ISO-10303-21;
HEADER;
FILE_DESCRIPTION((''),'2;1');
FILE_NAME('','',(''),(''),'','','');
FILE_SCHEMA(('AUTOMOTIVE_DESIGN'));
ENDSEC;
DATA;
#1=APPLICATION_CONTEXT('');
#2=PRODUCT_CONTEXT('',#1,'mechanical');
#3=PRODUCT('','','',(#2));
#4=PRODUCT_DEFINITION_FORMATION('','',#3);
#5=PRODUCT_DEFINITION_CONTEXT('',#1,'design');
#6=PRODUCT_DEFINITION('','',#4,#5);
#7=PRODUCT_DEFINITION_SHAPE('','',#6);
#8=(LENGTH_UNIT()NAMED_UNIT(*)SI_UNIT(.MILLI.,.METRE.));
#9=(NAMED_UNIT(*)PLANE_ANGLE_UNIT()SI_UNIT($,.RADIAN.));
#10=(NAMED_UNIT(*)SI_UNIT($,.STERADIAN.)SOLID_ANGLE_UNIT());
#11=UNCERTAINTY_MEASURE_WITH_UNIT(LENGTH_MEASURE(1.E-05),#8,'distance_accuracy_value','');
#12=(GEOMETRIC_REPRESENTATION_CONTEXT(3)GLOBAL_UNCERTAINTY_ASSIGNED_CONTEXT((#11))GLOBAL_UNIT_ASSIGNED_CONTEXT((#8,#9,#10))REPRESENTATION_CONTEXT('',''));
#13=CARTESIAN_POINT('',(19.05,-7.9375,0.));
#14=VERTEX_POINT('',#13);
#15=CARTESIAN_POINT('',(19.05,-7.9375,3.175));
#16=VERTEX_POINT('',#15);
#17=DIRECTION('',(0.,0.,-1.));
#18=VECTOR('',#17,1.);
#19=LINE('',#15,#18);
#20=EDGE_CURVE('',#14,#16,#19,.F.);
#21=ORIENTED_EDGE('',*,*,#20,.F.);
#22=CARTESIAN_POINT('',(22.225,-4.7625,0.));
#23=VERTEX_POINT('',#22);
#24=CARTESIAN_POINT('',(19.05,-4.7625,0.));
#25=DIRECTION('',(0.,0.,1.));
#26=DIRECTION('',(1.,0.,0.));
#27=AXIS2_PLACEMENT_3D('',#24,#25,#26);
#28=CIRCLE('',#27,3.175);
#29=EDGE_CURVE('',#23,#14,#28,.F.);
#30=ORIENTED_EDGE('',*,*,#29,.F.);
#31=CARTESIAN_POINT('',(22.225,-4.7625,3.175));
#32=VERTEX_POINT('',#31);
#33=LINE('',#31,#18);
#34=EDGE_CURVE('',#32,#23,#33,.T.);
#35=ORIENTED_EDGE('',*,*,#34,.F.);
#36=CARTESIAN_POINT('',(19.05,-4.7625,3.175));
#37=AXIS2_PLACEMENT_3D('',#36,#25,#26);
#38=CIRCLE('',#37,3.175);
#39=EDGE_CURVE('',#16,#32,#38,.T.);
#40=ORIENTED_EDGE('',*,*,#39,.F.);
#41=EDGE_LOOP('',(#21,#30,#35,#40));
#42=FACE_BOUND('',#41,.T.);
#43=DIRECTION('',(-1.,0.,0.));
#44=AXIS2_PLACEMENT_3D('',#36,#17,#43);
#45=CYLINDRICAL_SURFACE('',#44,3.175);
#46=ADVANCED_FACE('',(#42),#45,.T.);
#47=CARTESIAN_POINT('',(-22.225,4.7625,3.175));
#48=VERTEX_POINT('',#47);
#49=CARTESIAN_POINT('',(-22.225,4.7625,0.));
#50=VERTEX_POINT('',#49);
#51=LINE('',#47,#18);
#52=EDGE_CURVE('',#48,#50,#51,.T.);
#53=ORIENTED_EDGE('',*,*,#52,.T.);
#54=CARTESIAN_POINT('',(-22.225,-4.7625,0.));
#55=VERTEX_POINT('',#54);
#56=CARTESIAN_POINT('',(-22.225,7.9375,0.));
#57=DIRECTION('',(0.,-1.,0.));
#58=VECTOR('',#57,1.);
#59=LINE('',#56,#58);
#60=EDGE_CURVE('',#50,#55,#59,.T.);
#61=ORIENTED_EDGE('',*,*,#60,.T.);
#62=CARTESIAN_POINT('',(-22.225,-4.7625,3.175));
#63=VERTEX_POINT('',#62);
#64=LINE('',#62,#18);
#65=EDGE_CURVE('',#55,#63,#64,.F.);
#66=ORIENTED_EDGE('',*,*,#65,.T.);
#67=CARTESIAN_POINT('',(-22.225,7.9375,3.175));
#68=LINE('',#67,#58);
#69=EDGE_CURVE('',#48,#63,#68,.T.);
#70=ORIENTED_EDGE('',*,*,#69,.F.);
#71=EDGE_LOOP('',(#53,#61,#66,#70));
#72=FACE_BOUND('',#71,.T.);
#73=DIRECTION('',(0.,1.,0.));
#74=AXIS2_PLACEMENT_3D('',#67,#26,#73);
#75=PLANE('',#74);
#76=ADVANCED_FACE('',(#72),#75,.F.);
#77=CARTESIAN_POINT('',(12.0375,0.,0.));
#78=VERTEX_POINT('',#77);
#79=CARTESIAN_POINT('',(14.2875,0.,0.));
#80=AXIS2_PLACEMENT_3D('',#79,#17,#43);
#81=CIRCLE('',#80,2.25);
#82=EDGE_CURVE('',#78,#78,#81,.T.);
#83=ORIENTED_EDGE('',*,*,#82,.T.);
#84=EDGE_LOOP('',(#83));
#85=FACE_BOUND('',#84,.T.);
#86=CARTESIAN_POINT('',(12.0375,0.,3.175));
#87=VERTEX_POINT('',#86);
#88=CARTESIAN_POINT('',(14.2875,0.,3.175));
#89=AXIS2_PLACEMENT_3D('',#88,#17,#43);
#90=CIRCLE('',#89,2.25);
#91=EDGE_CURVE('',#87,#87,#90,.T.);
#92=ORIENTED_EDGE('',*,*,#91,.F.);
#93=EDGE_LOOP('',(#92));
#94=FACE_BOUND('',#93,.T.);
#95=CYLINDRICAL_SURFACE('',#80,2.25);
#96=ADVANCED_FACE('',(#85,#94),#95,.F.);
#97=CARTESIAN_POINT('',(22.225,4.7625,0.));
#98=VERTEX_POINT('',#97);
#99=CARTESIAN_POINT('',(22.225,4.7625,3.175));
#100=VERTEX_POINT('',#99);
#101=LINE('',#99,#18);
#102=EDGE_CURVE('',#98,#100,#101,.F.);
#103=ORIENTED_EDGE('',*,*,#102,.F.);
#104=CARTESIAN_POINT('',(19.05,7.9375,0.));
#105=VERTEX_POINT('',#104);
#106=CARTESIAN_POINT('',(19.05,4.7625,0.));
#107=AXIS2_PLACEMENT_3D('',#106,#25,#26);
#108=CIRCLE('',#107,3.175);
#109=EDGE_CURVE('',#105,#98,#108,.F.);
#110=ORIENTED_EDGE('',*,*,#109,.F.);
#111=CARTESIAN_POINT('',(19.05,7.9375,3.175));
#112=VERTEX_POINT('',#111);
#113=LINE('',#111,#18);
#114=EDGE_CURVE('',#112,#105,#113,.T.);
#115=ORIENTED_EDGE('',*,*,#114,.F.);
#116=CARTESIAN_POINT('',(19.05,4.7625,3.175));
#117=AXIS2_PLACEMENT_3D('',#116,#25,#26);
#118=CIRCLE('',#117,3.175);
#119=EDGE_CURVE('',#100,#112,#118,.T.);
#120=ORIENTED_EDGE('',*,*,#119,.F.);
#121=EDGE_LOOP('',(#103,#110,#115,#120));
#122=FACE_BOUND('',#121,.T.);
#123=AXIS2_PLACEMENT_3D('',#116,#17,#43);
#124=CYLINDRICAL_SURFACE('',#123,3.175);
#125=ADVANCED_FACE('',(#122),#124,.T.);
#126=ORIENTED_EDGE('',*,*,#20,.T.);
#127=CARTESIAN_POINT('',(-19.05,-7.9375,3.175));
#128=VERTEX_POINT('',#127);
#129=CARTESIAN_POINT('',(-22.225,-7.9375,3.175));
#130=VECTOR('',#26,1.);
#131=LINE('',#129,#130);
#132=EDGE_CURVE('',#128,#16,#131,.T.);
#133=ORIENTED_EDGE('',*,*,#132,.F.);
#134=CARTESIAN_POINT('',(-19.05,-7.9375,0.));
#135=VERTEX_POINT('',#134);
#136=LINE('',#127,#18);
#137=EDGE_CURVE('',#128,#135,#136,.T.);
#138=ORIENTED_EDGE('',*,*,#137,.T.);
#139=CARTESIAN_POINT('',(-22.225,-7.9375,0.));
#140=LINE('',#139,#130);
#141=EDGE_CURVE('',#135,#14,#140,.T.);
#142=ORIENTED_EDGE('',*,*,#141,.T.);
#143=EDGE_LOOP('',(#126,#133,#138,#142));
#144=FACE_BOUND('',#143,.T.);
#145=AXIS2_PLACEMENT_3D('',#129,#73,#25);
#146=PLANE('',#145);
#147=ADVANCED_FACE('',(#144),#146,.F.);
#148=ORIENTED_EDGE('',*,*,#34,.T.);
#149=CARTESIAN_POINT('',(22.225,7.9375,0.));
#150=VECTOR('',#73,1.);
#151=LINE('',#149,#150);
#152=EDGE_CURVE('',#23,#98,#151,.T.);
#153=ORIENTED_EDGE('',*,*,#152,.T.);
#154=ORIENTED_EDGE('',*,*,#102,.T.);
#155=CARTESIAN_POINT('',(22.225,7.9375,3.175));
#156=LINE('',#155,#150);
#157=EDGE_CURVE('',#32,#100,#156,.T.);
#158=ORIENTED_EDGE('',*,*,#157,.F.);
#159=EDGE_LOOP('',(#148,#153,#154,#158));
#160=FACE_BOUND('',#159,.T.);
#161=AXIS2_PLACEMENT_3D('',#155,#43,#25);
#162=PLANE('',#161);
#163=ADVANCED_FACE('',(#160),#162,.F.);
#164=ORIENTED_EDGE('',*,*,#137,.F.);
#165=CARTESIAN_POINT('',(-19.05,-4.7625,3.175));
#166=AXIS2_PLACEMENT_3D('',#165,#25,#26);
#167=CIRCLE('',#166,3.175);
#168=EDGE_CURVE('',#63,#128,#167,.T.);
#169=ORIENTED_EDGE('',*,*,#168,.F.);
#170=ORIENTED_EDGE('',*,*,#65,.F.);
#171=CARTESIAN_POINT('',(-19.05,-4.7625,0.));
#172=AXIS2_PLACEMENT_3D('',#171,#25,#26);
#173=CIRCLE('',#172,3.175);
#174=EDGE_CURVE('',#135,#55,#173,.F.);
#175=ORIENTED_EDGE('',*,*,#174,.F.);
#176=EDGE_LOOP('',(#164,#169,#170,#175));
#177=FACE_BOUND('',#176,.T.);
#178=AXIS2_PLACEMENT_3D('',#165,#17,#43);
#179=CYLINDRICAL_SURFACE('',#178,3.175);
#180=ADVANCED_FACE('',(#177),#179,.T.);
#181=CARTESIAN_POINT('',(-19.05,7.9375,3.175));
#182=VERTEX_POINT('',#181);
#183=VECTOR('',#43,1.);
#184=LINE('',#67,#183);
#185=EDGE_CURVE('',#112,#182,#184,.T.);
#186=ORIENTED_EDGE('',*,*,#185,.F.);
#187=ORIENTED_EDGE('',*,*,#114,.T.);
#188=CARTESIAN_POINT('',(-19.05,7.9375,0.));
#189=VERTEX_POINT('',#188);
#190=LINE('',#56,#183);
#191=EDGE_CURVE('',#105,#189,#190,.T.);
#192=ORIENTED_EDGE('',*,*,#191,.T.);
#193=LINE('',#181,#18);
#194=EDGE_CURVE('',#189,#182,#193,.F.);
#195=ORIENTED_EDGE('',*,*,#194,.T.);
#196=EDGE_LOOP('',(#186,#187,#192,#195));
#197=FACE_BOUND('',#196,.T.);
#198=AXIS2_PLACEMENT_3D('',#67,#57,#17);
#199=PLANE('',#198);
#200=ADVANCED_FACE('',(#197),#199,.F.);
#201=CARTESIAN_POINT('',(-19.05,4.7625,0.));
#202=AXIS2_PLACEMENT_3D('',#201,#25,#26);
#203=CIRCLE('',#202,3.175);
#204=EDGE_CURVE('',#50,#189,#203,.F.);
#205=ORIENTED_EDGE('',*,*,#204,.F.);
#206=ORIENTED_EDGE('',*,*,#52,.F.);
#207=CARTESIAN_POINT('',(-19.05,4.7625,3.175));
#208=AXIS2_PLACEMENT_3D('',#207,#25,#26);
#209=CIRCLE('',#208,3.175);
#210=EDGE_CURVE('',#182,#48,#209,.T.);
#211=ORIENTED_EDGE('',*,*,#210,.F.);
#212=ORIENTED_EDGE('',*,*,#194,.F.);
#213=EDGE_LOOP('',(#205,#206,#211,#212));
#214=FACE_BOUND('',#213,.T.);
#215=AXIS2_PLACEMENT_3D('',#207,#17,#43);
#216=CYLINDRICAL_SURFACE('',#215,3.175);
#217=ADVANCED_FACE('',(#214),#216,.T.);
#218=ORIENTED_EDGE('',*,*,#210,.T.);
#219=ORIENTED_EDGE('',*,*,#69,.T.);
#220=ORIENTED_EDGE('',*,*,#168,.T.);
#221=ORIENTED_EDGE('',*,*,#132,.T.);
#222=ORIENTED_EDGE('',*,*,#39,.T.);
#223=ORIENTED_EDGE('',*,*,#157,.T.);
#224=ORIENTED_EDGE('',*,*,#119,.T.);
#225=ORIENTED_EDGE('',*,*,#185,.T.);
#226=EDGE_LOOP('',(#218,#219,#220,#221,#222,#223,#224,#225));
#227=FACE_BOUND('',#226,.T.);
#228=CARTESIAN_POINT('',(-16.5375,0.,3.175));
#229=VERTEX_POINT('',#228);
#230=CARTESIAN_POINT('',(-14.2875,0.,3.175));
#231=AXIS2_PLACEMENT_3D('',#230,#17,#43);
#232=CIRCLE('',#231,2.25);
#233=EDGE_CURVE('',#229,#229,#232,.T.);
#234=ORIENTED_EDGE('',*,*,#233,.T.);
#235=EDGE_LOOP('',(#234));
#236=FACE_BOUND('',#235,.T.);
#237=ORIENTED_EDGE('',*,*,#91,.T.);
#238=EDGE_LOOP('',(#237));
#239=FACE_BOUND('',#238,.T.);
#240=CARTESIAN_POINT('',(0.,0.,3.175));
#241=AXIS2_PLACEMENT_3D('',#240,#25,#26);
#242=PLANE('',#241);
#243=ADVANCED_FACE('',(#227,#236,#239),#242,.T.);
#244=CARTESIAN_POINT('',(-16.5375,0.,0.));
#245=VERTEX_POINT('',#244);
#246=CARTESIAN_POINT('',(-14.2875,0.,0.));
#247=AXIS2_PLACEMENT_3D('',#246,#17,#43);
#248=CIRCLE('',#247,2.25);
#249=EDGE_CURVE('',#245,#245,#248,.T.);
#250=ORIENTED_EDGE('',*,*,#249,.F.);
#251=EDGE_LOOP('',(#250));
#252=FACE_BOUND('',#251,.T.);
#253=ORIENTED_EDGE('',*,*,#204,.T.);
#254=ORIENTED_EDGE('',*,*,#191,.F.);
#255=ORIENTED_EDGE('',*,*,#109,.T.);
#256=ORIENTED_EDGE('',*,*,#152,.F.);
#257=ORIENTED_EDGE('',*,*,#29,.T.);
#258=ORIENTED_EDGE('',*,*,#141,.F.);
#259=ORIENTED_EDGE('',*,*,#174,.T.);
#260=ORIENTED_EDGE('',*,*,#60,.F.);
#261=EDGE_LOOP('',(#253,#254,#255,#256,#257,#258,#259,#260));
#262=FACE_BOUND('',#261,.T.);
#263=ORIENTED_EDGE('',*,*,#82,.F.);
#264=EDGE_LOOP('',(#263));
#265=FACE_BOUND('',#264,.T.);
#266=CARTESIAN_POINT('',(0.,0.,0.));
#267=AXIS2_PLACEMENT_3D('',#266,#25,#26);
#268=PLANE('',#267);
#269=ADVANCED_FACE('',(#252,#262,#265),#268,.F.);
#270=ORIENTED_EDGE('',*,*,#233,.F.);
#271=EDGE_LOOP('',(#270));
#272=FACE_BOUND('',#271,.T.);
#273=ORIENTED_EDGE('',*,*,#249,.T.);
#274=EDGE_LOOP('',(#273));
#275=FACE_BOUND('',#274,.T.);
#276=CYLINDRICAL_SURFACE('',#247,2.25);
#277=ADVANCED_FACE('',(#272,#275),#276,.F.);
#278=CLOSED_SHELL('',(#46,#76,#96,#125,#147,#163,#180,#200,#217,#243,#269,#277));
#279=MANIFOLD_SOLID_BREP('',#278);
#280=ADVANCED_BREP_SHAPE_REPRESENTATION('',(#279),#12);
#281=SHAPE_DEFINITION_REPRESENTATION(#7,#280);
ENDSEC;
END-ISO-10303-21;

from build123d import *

# Parameters (mm, degrees)
SKETCH1_W            = 44.45
SKETCH1_H            = 15.875
BOSS_EXTRUDE1_DEPTH  = 3.175
M4_CLEARANCE_HOLE1_D = 4.5
FILLET1_R            = 3.175


with BuildPart() as part:
    # Sketch1 → Boss-Extrude1 (new body)
    with BuildSketch(Plane.XY):
        Rectangle(SKETCH1_W, SKETCH1_H)
    extrude(amount=BOSS_EXTRUDE1_DEPTH)

    # M4 Clearance Hole1 (through all)
    with Locations(Plane(origin=(0, 0, 0), x_dir=(-1, 0, 0), z_dir=(0, 0, -1))):
        with Locations((-14.2875, 0), (14.2875, 0)):
            Hole(M4_CLEARANCE_HOLE1_D / 2)

    # Fillet1
    fillet1_edges = [part.edges().sort_by_distance(p)[0] for p in [
        (22.225, -7.9375, 1.5875),
        (-22.225, -7.9375, 1.5875),
        (-22.225, 7.9375, 1.5875),
        (22.225, 7.9375, 1.5875),
    ]]
    fillet(fillet1_edges, radius=FILLET1_R)


solid = part.part
